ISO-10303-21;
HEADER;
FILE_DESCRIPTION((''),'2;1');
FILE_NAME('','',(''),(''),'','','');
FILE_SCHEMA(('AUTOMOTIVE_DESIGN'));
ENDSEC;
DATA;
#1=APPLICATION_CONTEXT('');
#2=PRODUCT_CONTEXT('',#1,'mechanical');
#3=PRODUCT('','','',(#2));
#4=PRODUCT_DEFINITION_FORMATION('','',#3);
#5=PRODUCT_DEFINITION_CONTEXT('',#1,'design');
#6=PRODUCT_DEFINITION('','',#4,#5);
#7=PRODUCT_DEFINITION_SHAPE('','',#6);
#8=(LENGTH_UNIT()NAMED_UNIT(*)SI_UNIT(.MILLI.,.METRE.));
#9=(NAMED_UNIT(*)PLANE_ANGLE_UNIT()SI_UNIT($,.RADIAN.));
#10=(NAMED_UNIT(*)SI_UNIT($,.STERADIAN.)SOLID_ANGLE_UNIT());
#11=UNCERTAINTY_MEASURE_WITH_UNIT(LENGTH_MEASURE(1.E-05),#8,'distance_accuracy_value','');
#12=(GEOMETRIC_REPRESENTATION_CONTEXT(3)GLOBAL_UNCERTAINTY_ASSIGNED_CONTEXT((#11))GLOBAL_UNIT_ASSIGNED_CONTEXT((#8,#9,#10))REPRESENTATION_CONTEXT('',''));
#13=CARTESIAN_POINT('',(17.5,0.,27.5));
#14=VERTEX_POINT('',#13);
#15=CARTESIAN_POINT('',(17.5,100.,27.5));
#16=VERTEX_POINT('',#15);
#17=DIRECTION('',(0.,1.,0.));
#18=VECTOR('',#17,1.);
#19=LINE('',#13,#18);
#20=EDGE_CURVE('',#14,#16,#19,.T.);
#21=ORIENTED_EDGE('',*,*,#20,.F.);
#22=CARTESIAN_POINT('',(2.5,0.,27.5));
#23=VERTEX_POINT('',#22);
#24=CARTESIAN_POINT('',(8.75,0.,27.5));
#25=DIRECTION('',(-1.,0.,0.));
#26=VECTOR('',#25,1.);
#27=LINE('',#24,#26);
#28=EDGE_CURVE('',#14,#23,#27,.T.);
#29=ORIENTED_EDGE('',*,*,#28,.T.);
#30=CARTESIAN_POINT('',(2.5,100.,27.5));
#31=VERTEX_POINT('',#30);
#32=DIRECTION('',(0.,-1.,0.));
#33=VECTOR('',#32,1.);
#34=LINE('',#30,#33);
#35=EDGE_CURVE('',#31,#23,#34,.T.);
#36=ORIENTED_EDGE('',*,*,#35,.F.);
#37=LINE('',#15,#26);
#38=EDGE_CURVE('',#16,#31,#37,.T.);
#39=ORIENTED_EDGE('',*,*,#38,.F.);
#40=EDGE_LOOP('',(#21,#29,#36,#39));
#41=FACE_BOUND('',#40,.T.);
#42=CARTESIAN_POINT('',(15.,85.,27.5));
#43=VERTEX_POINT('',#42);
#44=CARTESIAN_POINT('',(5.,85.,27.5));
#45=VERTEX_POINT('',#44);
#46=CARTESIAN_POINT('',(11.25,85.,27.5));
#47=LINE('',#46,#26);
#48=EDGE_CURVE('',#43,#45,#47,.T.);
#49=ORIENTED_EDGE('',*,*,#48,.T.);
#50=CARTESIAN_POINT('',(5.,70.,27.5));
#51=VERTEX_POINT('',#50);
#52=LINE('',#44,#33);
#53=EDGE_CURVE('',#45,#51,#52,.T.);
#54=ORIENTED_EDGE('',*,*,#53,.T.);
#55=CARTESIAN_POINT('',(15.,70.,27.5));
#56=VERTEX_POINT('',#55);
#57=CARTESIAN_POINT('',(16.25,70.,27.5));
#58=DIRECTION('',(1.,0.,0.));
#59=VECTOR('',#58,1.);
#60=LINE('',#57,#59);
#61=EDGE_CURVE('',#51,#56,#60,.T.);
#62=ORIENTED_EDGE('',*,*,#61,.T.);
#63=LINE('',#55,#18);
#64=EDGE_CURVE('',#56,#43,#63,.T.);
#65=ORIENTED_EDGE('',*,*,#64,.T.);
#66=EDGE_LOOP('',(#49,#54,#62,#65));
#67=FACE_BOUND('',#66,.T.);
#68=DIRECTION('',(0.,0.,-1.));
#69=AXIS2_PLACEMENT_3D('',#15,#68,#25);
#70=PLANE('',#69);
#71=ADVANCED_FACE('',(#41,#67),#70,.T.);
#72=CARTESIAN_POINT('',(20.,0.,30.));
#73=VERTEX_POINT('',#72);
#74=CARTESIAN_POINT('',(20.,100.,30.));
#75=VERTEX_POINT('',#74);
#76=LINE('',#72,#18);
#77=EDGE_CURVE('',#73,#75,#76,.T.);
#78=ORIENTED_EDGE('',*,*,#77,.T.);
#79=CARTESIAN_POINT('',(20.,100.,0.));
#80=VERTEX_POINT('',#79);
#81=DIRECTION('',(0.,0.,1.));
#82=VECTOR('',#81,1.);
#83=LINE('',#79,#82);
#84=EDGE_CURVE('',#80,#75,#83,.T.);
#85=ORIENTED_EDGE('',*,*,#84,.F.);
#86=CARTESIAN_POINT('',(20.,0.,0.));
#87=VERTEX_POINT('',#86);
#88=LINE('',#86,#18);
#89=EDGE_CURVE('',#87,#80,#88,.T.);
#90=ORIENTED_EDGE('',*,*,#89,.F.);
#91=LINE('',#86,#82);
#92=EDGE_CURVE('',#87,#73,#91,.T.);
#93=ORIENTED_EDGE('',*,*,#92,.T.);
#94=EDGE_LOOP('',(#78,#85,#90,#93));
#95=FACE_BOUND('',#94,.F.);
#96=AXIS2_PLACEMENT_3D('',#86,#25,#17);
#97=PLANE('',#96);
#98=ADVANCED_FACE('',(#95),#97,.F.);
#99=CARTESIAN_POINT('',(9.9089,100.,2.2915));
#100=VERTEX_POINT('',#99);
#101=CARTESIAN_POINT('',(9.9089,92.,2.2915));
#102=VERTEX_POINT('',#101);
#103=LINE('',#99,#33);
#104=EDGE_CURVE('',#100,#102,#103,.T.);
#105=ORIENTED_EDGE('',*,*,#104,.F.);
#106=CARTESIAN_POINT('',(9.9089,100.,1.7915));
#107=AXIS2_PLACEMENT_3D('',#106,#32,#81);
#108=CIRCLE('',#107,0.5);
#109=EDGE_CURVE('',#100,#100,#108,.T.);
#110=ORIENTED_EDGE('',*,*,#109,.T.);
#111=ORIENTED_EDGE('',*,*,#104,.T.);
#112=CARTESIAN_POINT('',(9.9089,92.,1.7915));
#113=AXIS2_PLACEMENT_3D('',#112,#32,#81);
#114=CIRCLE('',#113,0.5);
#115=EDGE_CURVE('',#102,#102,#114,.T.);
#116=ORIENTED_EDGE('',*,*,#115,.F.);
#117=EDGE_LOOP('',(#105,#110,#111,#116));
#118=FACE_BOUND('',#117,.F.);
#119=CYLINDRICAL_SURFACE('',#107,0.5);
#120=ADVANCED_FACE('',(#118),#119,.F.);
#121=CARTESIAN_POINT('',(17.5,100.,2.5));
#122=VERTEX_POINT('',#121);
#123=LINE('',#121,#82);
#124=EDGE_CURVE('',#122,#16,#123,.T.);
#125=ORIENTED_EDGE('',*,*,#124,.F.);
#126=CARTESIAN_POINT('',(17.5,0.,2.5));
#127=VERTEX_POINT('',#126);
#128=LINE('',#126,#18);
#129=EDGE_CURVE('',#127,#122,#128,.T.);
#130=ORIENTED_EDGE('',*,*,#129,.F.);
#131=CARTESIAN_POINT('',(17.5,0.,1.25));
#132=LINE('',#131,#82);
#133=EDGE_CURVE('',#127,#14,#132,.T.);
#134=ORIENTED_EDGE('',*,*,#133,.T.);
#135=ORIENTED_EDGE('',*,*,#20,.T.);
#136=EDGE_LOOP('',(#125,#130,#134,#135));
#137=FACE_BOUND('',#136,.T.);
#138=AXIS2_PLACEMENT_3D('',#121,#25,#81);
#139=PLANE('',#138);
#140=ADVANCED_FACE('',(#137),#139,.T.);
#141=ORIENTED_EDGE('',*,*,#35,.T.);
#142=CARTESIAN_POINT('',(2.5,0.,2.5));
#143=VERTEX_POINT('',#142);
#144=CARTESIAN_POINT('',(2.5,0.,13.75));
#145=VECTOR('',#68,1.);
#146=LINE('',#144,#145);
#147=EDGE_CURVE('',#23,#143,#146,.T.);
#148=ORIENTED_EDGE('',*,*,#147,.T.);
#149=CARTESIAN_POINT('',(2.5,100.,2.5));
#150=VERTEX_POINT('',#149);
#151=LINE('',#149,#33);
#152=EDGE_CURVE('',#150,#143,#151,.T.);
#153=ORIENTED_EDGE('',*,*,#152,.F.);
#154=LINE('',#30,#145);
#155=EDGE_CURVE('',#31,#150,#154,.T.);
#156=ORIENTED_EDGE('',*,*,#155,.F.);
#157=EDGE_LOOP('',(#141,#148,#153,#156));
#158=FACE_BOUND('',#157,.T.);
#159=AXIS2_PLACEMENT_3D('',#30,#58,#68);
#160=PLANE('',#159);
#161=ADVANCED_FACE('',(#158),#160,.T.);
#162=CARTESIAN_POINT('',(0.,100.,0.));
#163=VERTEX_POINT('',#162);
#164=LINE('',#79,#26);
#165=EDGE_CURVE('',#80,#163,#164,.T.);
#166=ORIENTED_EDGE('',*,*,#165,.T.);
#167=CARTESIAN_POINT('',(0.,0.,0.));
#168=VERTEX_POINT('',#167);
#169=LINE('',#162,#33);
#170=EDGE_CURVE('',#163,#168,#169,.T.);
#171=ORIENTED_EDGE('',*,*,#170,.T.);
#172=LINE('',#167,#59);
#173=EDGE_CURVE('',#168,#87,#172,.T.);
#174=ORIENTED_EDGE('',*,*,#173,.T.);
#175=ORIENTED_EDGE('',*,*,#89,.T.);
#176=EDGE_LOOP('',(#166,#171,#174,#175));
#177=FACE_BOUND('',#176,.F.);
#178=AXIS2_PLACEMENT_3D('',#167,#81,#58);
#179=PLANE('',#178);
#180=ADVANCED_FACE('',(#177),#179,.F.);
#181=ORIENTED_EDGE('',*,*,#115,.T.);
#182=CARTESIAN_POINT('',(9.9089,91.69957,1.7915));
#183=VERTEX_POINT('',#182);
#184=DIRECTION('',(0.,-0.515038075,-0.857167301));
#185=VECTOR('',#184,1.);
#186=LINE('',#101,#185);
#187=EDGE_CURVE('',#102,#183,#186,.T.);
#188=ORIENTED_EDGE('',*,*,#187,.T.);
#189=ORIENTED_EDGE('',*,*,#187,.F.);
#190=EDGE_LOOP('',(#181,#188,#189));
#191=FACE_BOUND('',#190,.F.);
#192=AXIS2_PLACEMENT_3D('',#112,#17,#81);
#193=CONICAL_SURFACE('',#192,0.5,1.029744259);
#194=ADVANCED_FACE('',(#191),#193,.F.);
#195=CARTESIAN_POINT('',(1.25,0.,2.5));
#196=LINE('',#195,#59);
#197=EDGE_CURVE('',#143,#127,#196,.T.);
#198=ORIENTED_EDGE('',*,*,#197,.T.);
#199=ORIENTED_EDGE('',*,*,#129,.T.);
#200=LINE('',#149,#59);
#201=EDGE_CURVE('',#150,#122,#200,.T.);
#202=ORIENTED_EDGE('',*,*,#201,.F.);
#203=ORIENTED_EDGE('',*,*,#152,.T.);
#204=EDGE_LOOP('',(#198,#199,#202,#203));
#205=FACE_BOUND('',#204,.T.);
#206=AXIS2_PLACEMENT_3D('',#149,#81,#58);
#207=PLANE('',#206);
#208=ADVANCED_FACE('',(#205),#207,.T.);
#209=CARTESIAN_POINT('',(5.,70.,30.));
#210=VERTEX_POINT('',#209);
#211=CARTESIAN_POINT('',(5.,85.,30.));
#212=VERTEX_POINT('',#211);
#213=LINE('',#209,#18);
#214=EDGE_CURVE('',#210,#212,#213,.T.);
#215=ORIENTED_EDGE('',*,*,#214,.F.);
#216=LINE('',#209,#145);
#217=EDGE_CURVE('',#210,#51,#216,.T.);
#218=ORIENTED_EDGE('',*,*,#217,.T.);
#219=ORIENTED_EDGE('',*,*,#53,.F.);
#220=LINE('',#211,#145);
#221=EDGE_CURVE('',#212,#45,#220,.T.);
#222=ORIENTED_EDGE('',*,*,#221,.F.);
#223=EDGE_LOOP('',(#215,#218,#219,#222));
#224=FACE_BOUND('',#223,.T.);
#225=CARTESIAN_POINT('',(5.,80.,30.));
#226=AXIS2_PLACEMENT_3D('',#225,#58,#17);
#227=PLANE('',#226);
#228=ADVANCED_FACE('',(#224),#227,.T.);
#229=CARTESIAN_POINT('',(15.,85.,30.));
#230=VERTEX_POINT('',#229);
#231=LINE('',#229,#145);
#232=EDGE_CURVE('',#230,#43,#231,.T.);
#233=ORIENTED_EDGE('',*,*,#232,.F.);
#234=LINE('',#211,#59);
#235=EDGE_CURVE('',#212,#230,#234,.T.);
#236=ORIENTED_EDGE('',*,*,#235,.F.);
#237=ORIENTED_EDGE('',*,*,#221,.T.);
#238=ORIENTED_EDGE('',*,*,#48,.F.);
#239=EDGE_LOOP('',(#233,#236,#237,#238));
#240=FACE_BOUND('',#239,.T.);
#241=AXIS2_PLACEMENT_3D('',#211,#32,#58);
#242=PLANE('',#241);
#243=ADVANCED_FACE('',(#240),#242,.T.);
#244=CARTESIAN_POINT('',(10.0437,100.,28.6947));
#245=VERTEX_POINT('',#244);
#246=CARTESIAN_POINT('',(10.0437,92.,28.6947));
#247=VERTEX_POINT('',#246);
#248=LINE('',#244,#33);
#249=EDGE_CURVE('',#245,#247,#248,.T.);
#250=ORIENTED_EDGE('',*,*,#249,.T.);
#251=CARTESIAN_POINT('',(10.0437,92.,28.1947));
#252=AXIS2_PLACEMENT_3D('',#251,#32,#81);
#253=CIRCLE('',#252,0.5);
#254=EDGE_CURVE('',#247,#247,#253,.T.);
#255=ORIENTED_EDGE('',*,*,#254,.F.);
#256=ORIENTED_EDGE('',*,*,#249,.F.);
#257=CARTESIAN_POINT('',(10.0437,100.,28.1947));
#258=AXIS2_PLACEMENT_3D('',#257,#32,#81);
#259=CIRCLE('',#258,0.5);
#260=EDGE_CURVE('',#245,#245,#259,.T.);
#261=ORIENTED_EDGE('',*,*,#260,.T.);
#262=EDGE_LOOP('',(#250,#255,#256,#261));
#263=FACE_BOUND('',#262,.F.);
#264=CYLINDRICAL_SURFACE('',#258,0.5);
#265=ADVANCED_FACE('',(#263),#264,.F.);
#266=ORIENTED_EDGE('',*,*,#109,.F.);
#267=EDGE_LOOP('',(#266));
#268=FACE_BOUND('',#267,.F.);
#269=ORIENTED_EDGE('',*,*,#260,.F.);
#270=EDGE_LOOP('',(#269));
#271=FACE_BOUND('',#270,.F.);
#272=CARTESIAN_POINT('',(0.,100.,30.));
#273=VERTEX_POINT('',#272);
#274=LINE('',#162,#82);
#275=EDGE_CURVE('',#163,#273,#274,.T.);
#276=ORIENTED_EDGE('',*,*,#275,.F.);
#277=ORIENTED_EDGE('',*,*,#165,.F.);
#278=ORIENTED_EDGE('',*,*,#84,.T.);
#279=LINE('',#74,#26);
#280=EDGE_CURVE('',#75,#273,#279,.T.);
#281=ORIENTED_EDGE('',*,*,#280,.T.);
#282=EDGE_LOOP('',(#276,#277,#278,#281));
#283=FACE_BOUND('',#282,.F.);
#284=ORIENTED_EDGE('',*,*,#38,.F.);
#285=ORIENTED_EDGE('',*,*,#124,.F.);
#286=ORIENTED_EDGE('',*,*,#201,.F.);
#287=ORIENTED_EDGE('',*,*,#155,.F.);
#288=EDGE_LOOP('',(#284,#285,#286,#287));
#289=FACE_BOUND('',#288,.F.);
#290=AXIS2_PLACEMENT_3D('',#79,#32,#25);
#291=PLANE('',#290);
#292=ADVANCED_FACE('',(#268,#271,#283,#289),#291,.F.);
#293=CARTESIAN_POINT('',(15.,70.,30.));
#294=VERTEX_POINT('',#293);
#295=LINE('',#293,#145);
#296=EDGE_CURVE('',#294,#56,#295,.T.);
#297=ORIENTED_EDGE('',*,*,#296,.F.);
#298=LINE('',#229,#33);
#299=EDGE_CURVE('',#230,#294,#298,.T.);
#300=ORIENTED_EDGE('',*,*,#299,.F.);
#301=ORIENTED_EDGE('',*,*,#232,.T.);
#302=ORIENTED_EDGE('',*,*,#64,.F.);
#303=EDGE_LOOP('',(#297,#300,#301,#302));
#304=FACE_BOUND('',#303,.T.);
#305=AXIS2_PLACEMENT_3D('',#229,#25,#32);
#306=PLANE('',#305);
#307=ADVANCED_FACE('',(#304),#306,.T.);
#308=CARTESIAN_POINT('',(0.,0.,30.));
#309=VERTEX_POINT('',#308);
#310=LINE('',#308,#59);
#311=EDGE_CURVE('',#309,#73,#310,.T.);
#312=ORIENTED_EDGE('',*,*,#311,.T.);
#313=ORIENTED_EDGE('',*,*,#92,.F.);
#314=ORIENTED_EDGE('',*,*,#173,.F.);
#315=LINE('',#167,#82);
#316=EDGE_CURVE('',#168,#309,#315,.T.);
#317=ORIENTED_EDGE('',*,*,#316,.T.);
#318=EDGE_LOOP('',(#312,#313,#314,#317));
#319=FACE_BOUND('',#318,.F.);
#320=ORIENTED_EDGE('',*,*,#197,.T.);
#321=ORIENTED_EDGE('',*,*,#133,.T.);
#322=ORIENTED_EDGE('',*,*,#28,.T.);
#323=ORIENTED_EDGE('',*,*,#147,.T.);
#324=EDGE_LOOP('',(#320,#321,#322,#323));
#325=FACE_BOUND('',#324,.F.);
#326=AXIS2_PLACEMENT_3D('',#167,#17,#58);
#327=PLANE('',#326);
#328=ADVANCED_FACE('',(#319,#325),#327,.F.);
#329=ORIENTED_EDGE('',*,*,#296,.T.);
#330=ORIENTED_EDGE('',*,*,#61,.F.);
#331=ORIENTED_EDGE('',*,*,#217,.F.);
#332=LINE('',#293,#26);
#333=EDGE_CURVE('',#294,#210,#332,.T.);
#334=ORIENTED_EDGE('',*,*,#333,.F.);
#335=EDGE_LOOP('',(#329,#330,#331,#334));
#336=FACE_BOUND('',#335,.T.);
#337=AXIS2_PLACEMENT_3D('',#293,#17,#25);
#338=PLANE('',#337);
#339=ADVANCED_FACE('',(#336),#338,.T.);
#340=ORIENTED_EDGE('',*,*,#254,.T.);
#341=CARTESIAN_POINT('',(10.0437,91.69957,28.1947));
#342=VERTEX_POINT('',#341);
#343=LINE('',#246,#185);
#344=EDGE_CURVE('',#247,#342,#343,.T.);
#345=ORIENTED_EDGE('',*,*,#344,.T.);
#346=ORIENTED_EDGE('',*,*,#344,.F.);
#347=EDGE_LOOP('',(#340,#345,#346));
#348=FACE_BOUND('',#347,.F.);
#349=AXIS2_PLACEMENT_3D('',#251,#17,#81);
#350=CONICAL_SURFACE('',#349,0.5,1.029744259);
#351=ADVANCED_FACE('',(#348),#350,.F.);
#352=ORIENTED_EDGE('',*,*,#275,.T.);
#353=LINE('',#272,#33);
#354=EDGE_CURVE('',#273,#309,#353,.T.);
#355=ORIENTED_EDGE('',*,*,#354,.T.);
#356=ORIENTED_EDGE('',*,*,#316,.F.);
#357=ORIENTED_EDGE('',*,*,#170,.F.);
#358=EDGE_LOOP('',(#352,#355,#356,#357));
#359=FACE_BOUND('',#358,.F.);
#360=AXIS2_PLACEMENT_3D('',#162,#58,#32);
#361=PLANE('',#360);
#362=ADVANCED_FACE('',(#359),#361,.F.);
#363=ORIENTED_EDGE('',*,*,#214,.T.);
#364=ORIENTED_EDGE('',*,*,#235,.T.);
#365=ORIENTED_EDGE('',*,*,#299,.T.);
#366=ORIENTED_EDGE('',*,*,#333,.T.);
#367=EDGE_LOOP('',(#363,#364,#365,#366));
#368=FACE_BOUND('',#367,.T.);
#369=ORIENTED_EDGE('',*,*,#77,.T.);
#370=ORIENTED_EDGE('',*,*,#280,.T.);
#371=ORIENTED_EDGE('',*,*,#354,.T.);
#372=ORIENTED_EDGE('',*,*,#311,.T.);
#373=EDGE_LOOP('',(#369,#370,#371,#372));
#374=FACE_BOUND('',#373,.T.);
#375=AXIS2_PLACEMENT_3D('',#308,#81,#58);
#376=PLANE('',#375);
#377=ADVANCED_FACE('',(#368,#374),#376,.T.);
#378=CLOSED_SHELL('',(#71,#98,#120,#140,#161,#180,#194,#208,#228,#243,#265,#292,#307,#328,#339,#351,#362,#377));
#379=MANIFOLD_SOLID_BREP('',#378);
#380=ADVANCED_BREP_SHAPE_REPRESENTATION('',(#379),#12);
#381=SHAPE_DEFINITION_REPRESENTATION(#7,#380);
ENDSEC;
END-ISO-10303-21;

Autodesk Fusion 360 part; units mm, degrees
sketch "Boceto1" plane through (0, 0, 0) normal (0, 0, 1) x (1, 0, 0)
  line L0 (0, 0) -> (20, 0)
  line L1 (20, 0) -> (20, 100)
  line L2 (20, 100) -> (0, 100)
  line L3 (0, 100) -> (0, 0)
  dimension "d1" = 20
  dimension "d2" = 100
sketch "Boceto2" plane through (0, 0, 0) normal (1, 0, 0) x (0, 1, 0)
  line L0 (0, 0) -> (100, 0)
  line L1 (100, 0) -> (100, 30)
  line L2 (100, 30) -> (0, 30)
  line L3 (0, 30) -> (0, 0)
  dimension "d3" = 100
  dimension "d4" = 30
sketch "Boceto3" plane through (0, 0, 0) normal (1, 0, 0) x (0, 1, 0)
sketch "Boceto4" plane through (0, 0, 0) normal (0, 1, 0) x (1, 0, 0)
  line L0 (0, 0) -> (20, 0)
  line L1 (20, 0) -> (20, -30)
  line L2 (20, -30) -> (0, -30)
  line L3 (0, -30) -> (0, 0)
  line L4 (0, -30) -> (0, 0)
  dimension "d5" = 20
  dimension "d6" = 30
sketch "Boceto5" plane through (0, 0, 0) normal (0, 0, 1) x (1, 0, 0)
extrude "Extruir1" add sketch "Boceto1" along normal blind 30
sketch "Boceto6" plane through (0, 100, 0) normal (0, 1, 0) x (-1, 0, 0)
  line L0 (-20, 0) -> (0, 0)
  line L1 (0, 0) -> (0, 30)
  line L2 (0, 30) -> (-20, 30)
  line L3 (-20, 30) -> (-20, 0)
  line L4 (-2.5, 2.5) -> (-17.5, 2.5)
  line L5 (-17.5, 2.5) -> (-17.5, 27.5)
  line L6 (-17.5, 27.5) -> (-2.5, 27.5)
  line L7 (-2.5, 27.5) -> (-2.5, 2.5)
  dimension "d9" = 25
  dimension "d10" = 15
extrude "Extruir2" cut sketch "Boceto6" against normal blind 20 contours L4 L5 L6 L7
hole "Agujero1" at (10.0437, 100, 28.1947) direction (0, -1, 0) diameter 1 depth 8 tip angle 118
hole "Agujero2" at (9.9089, 100, 1.7915) direction (0, -1, 0) diameter 1 depth 8 tip angle 118
extrude "Extruir3" cut 1 faces at (7.5, 80, 10.8333) along direction (0, -1, 0) blind 79
extrude "Extruir4" cut 1 faces at (7.5, 1, 10.8333) along direction (0, -1, 0) blind 105
sketch "Boceto7" plane through (20, 0, 0) normal (1, 0, 0) x (0, 1, 0)
  line L0 (0, 0) -> (100, 0)
  line L1 (100, 0) -> (100, 30)
  line L2 (100, 30) -> (0, 30)
  line L3 (0, 30) -> (0, 0)
sketch "Boceto8" plane through (0, 0, 30) normal (0, 0, 1) x (-1, 0, 0)
  line L0 (0, -100) -> (0, 0)
  line L1 (0, 0) -> (-20, 0)
  line L2 (-20, 0) -> (-20, -100)
  line L3 (-20, -100) -> (0, -100)
  line L4 (-20, -100) -> (-20, 0)
  line L5 (-15, -70) -> (-5, -70)
  line L6 (-5, -70) -> (-5, -80)
  line L7 (-5, -80) -> (-15, -80)
  line L8 (-15, -80) -> (-15, -70)
  line L9 (-5, -80) -> (-15, -80)
  line L10 (-15, -80) -> (-15, -70)
  line L11 (-15, -70) -> (-5, -70)
  line L12 (-5, -70) -> (-5, -80)
  dimension "d23" = 100
  dimension "d24" = 20
extrude "Extruir5" cut sketch "Boceto8" against normal blind 7 contours L5 L6 L7 L8 L9 L10 L11 L12
sketch "Boceto9" plane through (0, 0, 30) normal (0, 0, 1) x (-1, 0, 0)
  line L0 (-15, -80) -> (-15, -70)
  line L1 (-15, -70) -> (-5, -70)
  line L2 (-5, -70) -> (-5, -80)
  line L3 (-5, -80) -> (-15, -80)
  line L4 (0, -100) -> (0, 0)
  line L5 (0, 0) -> (-20, 0)
  line L6 (-20, 0) -> (-20, -100)
  line L7 (-20, -100) -> (0, -100)
  line L8 (-15, -80) -> (-5, -80)
  line L9 (-5, -80) -> (-5, -85)
  line L10 (-5, -85) -> (-15, -85)
  line L11 (-15, -85) -> (-15, -80)
extrude "Extruir6" cut sketch "Boceto9" against normal blind 4 contours L3 L8 L9 L10 L11
